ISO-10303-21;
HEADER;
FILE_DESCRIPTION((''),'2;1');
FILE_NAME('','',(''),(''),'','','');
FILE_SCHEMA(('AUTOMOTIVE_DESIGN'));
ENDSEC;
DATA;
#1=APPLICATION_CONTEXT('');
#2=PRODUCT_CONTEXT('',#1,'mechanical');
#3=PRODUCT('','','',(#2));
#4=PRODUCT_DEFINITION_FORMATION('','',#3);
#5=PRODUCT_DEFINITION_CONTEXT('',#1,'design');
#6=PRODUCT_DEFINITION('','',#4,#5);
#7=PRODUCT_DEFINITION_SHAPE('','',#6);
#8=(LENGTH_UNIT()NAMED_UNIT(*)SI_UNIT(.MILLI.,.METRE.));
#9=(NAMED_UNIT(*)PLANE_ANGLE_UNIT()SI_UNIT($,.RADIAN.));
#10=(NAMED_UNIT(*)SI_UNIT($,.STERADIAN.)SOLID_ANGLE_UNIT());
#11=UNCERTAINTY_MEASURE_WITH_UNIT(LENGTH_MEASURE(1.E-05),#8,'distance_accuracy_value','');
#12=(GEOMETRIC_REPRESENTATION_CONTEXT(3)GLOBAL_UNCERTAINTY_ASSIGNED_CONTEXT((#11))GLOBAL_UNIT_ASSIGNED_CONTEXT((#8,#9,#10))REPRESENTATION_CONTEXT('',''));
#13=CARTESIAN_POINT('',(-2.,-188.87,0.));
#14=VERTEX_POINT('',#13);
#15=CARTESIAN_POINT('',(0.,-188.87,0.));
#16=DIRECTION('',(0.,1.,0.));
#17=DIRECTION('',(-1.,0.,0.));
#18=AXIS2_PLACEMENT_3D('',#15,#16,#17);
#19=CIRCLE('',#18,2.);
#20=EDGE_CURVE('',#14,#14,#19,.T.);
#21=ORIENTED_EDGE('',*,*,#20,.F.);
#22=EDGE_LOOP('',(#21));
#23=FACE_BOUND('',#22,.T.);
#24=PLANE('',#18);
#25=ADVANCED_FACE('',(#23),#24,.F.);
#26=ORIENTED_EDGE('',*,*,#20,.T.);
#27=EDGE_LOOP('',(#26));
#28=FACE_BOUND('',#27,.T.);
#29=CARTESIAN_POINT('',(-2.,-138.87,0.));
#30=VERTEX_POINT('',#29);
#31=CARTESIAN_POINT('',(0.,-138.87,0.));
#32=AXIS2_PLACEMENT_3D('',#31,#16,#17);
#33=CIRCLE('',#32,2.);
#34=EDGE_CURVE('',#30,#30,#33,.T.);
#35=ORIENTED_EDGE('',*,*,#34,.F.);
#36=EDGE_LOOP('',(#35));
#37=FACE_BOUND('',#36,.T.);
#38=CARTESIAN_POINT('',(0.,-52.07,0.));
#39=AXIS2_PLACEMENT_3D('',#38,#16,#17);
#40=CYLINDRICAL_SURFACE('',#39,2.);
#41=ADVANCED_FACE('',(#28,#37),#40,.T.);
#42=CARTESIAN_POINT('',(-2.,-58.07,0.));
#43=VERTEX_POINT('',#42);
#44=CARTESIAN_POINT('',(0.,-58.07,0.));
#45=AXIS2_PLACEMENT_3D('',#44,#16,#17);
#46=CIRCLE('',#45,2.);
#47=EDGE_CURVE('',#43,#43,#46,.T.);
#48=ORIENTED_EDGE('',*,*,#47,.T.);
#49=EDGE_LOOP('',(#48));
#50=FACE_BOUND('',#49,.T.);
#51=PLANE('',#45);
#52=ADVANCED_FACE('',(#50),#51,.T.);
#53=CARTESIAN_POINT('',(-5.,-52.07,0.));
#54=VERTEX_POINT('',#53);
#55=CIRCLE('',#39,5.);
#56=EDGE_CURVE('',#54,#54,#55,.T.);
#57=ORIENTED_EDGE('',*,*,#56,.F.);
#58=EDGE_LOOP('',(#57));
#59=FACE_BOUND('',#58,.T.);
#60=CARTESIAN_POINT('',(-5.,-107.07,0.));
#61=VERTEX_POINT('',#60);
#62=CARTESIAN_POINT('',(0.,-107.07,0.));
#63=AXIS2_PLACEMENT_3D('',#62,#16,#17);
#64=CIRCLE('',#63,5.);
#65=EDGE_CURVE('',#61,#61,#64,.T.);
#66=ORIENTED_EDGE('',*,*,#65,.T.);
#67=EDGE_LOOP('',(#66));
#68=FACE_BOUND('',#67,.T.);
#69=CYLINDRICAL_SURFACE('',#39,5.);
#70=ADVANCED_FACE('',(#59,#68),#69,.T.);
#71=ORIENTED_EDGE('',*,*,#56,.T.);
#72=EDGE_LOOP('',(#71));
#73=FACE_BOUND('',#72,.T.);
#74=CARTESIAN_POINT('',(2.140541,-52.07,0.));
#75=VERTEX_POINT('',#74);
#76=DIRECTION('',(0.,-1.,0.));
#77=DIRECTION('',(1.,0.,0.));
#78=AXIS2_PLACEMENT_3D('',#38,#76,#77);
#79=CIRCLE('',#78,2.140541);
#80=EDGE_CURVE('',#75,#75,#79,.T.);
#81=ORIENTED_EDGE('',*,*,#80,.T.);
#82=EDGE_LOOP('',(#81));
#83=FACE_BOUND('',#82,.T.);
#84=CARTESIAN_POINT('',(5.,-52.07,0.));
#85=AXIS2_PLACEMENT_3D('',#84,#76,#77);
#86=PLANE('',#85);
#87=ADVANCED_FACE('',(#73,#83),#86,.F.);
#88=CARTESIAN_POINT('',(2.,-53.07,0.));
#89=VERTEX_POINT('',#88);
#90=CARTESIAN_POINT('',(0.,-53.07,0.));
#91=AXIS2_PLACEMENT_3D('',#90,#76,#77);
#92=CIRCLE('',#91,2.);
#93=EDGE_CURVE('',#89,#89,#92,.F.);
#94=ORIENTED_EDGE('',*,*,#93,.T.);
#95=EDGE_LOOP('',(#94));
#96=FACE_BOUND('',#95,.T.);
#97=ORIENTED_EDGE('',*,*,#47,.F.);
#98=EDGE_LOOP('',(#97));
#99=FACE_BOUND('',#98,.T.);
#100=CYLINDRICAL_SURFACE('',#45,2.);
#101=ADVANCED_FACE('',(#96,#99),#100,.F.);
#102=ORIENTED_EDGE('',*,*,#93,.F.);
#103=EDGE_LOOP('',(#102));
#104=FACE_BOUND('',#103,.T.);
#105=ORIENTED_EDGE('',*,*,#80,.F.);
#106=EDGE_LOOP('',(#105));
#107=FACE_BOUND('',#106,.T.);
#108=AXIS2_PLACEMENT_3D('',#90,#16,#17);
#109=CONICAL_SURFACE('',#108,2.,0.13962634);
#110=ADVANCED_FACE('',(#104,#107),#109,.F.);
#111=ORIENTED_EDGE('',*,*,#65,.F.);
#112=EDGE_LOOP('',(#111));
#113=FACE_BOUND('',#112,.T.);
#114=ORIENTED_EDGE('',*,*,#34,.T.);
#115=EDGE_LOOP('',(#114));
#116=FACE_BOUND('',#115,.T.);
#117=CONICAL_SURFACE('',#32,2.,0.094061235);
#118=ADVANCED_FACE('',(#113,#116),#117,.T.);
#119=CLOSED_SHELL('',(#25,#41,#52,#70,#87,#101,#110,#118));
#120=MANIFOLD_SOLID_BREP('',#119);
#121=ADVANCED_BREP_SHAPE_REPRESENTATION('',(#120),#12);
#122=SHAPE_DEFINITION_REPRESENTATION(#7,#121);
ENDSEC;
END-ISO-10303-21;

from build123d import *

# Parameters (mm, degrees)
SKETCH3_R          = 2.8067
CUT_EXTRUDE1_DEPTH = 12
CHAMFER1_SIZE      = 0.4
CHAMFER1_SIZE2     = 1.098990968
SKETCH4_R          = 2
CUT_EXTRUDE2_DEPTH = 6
CHAMFER2_SIZE      = 1
CHAMFER2_SIZE2     = 0.140540835


with BuildPart() as part:
    # Sketch1 → Revolve1 (revolve)
    with BuildSketch(Plane.XY, mode=Mode.PRIVATE) as revolve1_sk:
        Polygon((0, 95.25), (15.875, 95.25), (15.875, 0), (6.352863958, 0), (6.352863958, -38.836595706), (7.9248, -44.181178248), (7.9248, -52.07), (0, -52.07), align=None)
    revolve(revolve1_sk.sketch.rotate(Axis((0, 95.25, 0), (0, -1, 0)), 180), axis=Axis((0, 95.25, 0), (0, -1, 0)))

    # Sketch3 → Cut-Extrude1 (cut)
    with BuildSketch(Plane.XZ.offset(52.07)):
        Circle(SKETCH3_R)
    extrude(amount=-CUT_EXTRUDE1_DEPTH, mode=Mode.SUBTRACT)

    # Chamfer1
    chamfer1_edges = [part.edges().sort_by_distance(p)[0] for p in [
        (-2.8067, -52.07, 0),
    ]]
    chamfer1_side = [part.faces().sort_by_distance(p)[0] for p in [
        (7.700652807, -52.07, 0),
    ]]
    chamfer(chamfer1_edges, length=CHAMFER1_SIZE, length2=CHAMFER1_SIZE2, reference=chamfer1_side[0])


with BuildPart() as body_2:
    # Sketch2 → Revolve2 (revolve)
    with BuildSketch(Plane.XY, mode=Mode.PRIVATE) as revolve2_sk:
        Polygon((0, -52.07), (0, -188.87), (2, -188.87), (2, -138.87), (5, -107.07), (5, -52.07), align=None)
    revolve(revolve2_sk.sketch.rotate(Axis((0, -52.07, 0), (0, -1, 0)), 180), axis=Axis((0, -52.07, 0), (0, -1, 0)))

    # Sketch4 → Cut-Extrude2 (cut)
    with BuildSketch(Plane(origin=(0, -52.07, 0), x_dir=(1, 0, 0), z_dir=(0, 1, 0))):
        with Locations(Location((0, 0, 0), (0, 0, 180))):
            Circle(SKETCH4_R)
    extrude(amount=-CUT_EXTRUDE2_DEPTH, mode=Mode.SUBTRACT)

    # Chamfer2
    chamfer2_edges = [body_2.edges().sort_by_distance(p)[0] for p in [
        (2, -52.07, 0),
    ]]
    chamfer2_side = [body_2.faces().sort_by_distance(p)[0] for p in [
        (2, -55.07, 0),
    ]]
    chamfer(chamfer2_edges, length=CHAMFER2_SIZE, length2=CHAMFER2_SIZE2, reference=chamfer2_side[0])


solid = body_2.part
